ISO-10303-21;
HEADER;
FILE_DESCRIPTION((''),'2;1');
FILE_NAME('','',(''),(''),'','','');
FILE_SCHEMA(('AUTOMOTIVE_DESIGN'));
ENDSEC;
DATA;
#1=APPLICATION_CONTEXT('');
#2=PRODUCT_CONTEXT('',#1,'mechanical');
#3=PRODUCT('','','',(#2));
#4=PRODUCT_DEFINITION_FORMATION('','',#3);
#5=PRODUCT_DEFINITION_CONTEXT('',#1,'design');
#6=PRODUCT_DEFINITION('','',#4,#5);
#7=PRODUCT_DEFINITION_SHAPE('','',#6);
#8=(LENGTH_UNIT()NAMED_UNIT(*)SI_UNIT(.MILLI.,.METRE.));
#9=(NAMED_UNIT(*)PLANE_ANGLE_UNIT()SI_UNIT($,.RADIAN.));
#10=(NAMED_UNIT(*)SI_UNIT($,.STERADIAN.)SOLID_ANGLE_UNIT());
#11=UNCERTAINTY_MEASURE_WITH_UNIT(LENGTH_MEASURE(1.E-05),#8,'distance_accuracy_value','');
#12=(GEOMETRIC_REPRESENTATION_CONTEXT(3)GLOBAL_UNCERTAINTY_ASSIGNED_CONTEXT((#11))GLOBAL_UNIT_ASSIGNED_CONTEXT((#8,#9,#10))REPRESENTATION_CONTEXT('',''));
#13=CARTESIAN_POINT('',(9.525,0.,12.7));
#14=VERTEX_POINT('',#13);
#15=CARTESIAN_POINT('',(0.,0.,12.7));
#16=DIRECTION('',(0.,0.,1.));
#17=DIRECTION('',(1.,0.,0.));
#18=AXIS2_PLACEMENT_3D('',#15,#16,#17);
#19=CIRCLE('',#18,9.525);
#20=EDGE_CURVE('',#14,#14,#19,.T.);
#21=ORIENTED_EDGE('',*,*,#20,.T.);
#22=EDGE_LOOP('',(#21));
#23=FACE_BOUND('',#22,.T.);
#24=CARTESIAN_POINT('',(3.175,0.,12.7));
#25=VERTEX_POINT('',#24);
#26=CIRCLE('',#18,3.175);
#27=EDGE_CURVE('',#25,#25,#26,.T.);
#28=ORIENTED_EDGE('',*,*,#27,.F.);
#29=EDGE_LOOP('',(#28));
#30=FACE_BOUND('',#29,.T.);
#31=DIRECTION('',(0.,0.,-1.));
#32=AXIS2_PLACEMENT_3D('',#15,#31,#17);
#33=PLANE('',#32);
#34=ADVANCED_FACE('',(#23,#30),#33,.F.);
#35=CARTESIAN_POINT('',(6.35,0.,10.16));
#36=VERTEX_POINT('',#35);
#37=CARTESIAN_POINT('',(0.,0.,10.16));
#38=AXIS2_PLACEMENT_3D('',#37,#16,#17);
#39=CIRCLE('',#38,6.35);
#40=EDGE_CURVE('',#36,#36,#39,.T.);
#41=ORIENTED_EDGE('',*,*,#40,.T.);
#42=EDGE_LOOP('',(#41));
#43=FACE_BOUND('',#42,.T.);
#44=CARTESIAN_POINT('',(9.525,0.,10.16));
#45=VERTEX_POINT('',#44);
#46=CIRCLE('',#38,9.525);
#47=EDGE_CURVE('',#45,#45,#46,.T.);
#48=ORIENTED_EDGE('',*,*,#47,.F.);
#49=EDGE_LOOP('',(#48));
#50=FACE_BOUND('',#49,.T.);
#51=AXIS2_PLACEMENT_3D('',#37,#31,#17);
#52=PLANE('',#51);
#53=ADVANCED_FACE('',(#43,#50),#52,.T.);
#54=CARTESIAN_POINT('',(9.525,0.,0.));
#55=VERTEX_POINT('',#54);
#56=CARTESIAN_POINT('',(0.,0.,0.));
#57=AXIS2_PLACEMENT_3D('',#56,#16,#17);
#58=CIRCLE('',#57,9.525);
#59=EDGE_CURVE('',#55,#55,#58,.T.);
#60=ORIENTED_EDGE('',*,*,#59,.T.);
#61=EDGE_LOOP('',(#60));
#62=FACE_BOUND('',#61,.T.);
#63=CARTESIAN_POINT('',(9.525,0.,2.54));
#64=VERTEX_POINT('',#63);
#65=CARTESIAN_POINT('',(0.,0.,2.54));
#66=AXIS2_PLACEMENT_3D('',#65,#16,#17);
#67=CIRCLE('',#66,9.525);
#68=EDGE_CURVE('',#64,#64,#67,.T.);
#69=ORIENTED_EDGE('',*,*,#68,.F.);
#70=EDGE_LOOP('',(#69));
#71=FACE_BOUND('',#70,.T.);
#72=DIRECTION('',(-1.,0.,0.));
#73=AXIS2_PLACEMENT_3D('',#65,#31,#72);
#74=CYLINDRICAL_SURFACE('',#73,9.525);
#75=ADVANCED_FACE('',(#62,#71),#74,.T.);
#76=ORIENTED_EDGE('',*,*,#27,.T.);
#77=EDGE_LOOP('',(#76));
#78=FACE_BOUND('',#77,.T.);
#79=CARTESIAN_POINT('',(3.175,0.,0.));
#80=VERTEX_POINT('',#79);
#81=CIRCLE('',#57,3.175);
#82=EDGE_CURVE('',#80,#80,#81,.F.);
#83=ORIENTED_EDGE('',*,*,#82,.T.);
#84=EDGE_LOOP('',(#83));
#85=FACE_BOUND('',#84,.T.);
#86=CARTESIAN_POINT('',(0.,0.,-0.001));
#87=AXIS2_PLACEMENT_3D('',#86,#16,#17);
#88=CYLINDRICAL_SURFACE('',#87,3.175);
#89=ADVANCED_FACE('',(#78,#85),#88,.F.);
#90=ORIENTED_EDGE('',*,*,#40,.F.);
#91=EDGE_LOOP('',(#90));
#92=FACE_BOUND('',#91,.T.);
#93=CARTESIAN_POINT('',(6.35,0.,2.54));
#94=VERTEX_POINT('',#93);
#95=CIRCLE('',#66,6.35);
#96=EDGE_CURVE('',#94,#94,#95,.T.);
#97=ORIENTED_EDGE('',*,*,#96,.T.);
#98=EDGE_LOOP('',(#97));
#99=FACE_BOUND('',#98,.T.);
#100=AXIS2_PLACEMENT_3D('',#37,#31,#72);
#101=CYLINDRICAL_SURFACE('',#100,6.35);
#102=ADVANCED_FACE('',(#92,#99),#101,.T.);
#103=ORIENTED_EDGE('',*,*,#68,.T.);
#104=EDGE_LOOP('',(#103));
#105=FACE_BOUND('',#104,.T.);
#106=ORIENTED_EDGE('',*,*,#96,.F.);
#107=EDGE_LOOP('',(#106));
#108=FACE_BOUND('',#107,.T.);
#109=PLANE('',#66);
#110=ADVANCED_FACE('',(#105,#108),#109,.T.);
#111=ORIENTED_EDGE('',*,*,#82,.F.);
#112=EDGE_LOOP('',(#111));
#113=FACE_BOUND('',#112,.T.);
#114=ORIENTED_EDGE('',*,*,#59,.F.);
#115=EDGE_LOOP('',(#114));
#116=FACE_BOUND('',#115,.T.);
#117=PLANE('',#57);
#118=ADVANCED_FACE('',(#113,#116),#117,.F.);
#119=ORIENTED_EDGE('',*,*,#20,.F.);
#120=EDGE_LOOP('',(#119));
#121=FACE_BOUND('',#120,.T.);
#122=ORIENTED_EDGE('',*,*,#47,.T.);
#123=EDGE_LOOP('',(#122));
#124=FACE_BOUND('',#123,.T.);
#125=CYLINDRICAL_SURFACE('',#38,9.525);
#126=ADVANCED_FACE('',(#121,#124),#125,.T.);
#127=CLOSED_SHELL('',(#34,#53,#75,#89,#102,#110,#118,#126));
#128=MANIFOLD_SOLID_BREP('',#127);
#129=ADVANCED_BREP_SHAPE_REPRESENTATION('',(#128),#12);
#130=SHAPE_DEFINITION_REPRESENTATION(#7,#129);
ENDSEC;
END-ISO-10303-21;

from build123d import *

# Parameters (mm, degrees)
SKETCH1_R           = 9.525
BOSS_EXTRUDE1_DEPTH = 2.54
SKETCH2_R           = 6.35
BOSS_EXTRUDE2_DEPTH = 7.62
CUT_EXTRUDE1_REACH  = 14.7
SKETCH4_R           = 3.175


with BuildPart() as part:
    # Sketch1 → Boss-Extrude1 (new body)
    with BuildSketch(Plane.XY):
        Circle(SKETCH1_R)
    boss_extrude1 = extrude(amount=BOSS_EXTRUDE1_DEPTH)

    # Sketch2 → Boss-Extrude2 (add)
    with BuildSketch(Plane.XY.offset(2.54)):
        Circle(SKETCH2_R)
    extrude(amount=BOSS_EXTRUDE2_DEPTH)

    # Mirror1: Boss-Extrude1 across plane
    add(boss_extrude1.mirror(Plane.XY.offset(6.35)))

    # Sketch4 → Cut-Extrude1 (cut, up to next)
    with BuildSketch(Plane.XY.offset(12.7), mode=Mode.PRIVATE) as cut_extrude1_sk1:
        Circle(SKETCH4_R)
    cut_extrude1_tool1 = extrude(cut_extrude1_sk1.sketch, amount=-CUT_EXTRUDE1_REACH, mode=Mode.PRIVATE) & part.part
    add(cut_extrude1_tool1.solids().sort_by_distance((0, 0, 12.7))[0], mode=Mode.SUBTRACT)


solid = part.part
